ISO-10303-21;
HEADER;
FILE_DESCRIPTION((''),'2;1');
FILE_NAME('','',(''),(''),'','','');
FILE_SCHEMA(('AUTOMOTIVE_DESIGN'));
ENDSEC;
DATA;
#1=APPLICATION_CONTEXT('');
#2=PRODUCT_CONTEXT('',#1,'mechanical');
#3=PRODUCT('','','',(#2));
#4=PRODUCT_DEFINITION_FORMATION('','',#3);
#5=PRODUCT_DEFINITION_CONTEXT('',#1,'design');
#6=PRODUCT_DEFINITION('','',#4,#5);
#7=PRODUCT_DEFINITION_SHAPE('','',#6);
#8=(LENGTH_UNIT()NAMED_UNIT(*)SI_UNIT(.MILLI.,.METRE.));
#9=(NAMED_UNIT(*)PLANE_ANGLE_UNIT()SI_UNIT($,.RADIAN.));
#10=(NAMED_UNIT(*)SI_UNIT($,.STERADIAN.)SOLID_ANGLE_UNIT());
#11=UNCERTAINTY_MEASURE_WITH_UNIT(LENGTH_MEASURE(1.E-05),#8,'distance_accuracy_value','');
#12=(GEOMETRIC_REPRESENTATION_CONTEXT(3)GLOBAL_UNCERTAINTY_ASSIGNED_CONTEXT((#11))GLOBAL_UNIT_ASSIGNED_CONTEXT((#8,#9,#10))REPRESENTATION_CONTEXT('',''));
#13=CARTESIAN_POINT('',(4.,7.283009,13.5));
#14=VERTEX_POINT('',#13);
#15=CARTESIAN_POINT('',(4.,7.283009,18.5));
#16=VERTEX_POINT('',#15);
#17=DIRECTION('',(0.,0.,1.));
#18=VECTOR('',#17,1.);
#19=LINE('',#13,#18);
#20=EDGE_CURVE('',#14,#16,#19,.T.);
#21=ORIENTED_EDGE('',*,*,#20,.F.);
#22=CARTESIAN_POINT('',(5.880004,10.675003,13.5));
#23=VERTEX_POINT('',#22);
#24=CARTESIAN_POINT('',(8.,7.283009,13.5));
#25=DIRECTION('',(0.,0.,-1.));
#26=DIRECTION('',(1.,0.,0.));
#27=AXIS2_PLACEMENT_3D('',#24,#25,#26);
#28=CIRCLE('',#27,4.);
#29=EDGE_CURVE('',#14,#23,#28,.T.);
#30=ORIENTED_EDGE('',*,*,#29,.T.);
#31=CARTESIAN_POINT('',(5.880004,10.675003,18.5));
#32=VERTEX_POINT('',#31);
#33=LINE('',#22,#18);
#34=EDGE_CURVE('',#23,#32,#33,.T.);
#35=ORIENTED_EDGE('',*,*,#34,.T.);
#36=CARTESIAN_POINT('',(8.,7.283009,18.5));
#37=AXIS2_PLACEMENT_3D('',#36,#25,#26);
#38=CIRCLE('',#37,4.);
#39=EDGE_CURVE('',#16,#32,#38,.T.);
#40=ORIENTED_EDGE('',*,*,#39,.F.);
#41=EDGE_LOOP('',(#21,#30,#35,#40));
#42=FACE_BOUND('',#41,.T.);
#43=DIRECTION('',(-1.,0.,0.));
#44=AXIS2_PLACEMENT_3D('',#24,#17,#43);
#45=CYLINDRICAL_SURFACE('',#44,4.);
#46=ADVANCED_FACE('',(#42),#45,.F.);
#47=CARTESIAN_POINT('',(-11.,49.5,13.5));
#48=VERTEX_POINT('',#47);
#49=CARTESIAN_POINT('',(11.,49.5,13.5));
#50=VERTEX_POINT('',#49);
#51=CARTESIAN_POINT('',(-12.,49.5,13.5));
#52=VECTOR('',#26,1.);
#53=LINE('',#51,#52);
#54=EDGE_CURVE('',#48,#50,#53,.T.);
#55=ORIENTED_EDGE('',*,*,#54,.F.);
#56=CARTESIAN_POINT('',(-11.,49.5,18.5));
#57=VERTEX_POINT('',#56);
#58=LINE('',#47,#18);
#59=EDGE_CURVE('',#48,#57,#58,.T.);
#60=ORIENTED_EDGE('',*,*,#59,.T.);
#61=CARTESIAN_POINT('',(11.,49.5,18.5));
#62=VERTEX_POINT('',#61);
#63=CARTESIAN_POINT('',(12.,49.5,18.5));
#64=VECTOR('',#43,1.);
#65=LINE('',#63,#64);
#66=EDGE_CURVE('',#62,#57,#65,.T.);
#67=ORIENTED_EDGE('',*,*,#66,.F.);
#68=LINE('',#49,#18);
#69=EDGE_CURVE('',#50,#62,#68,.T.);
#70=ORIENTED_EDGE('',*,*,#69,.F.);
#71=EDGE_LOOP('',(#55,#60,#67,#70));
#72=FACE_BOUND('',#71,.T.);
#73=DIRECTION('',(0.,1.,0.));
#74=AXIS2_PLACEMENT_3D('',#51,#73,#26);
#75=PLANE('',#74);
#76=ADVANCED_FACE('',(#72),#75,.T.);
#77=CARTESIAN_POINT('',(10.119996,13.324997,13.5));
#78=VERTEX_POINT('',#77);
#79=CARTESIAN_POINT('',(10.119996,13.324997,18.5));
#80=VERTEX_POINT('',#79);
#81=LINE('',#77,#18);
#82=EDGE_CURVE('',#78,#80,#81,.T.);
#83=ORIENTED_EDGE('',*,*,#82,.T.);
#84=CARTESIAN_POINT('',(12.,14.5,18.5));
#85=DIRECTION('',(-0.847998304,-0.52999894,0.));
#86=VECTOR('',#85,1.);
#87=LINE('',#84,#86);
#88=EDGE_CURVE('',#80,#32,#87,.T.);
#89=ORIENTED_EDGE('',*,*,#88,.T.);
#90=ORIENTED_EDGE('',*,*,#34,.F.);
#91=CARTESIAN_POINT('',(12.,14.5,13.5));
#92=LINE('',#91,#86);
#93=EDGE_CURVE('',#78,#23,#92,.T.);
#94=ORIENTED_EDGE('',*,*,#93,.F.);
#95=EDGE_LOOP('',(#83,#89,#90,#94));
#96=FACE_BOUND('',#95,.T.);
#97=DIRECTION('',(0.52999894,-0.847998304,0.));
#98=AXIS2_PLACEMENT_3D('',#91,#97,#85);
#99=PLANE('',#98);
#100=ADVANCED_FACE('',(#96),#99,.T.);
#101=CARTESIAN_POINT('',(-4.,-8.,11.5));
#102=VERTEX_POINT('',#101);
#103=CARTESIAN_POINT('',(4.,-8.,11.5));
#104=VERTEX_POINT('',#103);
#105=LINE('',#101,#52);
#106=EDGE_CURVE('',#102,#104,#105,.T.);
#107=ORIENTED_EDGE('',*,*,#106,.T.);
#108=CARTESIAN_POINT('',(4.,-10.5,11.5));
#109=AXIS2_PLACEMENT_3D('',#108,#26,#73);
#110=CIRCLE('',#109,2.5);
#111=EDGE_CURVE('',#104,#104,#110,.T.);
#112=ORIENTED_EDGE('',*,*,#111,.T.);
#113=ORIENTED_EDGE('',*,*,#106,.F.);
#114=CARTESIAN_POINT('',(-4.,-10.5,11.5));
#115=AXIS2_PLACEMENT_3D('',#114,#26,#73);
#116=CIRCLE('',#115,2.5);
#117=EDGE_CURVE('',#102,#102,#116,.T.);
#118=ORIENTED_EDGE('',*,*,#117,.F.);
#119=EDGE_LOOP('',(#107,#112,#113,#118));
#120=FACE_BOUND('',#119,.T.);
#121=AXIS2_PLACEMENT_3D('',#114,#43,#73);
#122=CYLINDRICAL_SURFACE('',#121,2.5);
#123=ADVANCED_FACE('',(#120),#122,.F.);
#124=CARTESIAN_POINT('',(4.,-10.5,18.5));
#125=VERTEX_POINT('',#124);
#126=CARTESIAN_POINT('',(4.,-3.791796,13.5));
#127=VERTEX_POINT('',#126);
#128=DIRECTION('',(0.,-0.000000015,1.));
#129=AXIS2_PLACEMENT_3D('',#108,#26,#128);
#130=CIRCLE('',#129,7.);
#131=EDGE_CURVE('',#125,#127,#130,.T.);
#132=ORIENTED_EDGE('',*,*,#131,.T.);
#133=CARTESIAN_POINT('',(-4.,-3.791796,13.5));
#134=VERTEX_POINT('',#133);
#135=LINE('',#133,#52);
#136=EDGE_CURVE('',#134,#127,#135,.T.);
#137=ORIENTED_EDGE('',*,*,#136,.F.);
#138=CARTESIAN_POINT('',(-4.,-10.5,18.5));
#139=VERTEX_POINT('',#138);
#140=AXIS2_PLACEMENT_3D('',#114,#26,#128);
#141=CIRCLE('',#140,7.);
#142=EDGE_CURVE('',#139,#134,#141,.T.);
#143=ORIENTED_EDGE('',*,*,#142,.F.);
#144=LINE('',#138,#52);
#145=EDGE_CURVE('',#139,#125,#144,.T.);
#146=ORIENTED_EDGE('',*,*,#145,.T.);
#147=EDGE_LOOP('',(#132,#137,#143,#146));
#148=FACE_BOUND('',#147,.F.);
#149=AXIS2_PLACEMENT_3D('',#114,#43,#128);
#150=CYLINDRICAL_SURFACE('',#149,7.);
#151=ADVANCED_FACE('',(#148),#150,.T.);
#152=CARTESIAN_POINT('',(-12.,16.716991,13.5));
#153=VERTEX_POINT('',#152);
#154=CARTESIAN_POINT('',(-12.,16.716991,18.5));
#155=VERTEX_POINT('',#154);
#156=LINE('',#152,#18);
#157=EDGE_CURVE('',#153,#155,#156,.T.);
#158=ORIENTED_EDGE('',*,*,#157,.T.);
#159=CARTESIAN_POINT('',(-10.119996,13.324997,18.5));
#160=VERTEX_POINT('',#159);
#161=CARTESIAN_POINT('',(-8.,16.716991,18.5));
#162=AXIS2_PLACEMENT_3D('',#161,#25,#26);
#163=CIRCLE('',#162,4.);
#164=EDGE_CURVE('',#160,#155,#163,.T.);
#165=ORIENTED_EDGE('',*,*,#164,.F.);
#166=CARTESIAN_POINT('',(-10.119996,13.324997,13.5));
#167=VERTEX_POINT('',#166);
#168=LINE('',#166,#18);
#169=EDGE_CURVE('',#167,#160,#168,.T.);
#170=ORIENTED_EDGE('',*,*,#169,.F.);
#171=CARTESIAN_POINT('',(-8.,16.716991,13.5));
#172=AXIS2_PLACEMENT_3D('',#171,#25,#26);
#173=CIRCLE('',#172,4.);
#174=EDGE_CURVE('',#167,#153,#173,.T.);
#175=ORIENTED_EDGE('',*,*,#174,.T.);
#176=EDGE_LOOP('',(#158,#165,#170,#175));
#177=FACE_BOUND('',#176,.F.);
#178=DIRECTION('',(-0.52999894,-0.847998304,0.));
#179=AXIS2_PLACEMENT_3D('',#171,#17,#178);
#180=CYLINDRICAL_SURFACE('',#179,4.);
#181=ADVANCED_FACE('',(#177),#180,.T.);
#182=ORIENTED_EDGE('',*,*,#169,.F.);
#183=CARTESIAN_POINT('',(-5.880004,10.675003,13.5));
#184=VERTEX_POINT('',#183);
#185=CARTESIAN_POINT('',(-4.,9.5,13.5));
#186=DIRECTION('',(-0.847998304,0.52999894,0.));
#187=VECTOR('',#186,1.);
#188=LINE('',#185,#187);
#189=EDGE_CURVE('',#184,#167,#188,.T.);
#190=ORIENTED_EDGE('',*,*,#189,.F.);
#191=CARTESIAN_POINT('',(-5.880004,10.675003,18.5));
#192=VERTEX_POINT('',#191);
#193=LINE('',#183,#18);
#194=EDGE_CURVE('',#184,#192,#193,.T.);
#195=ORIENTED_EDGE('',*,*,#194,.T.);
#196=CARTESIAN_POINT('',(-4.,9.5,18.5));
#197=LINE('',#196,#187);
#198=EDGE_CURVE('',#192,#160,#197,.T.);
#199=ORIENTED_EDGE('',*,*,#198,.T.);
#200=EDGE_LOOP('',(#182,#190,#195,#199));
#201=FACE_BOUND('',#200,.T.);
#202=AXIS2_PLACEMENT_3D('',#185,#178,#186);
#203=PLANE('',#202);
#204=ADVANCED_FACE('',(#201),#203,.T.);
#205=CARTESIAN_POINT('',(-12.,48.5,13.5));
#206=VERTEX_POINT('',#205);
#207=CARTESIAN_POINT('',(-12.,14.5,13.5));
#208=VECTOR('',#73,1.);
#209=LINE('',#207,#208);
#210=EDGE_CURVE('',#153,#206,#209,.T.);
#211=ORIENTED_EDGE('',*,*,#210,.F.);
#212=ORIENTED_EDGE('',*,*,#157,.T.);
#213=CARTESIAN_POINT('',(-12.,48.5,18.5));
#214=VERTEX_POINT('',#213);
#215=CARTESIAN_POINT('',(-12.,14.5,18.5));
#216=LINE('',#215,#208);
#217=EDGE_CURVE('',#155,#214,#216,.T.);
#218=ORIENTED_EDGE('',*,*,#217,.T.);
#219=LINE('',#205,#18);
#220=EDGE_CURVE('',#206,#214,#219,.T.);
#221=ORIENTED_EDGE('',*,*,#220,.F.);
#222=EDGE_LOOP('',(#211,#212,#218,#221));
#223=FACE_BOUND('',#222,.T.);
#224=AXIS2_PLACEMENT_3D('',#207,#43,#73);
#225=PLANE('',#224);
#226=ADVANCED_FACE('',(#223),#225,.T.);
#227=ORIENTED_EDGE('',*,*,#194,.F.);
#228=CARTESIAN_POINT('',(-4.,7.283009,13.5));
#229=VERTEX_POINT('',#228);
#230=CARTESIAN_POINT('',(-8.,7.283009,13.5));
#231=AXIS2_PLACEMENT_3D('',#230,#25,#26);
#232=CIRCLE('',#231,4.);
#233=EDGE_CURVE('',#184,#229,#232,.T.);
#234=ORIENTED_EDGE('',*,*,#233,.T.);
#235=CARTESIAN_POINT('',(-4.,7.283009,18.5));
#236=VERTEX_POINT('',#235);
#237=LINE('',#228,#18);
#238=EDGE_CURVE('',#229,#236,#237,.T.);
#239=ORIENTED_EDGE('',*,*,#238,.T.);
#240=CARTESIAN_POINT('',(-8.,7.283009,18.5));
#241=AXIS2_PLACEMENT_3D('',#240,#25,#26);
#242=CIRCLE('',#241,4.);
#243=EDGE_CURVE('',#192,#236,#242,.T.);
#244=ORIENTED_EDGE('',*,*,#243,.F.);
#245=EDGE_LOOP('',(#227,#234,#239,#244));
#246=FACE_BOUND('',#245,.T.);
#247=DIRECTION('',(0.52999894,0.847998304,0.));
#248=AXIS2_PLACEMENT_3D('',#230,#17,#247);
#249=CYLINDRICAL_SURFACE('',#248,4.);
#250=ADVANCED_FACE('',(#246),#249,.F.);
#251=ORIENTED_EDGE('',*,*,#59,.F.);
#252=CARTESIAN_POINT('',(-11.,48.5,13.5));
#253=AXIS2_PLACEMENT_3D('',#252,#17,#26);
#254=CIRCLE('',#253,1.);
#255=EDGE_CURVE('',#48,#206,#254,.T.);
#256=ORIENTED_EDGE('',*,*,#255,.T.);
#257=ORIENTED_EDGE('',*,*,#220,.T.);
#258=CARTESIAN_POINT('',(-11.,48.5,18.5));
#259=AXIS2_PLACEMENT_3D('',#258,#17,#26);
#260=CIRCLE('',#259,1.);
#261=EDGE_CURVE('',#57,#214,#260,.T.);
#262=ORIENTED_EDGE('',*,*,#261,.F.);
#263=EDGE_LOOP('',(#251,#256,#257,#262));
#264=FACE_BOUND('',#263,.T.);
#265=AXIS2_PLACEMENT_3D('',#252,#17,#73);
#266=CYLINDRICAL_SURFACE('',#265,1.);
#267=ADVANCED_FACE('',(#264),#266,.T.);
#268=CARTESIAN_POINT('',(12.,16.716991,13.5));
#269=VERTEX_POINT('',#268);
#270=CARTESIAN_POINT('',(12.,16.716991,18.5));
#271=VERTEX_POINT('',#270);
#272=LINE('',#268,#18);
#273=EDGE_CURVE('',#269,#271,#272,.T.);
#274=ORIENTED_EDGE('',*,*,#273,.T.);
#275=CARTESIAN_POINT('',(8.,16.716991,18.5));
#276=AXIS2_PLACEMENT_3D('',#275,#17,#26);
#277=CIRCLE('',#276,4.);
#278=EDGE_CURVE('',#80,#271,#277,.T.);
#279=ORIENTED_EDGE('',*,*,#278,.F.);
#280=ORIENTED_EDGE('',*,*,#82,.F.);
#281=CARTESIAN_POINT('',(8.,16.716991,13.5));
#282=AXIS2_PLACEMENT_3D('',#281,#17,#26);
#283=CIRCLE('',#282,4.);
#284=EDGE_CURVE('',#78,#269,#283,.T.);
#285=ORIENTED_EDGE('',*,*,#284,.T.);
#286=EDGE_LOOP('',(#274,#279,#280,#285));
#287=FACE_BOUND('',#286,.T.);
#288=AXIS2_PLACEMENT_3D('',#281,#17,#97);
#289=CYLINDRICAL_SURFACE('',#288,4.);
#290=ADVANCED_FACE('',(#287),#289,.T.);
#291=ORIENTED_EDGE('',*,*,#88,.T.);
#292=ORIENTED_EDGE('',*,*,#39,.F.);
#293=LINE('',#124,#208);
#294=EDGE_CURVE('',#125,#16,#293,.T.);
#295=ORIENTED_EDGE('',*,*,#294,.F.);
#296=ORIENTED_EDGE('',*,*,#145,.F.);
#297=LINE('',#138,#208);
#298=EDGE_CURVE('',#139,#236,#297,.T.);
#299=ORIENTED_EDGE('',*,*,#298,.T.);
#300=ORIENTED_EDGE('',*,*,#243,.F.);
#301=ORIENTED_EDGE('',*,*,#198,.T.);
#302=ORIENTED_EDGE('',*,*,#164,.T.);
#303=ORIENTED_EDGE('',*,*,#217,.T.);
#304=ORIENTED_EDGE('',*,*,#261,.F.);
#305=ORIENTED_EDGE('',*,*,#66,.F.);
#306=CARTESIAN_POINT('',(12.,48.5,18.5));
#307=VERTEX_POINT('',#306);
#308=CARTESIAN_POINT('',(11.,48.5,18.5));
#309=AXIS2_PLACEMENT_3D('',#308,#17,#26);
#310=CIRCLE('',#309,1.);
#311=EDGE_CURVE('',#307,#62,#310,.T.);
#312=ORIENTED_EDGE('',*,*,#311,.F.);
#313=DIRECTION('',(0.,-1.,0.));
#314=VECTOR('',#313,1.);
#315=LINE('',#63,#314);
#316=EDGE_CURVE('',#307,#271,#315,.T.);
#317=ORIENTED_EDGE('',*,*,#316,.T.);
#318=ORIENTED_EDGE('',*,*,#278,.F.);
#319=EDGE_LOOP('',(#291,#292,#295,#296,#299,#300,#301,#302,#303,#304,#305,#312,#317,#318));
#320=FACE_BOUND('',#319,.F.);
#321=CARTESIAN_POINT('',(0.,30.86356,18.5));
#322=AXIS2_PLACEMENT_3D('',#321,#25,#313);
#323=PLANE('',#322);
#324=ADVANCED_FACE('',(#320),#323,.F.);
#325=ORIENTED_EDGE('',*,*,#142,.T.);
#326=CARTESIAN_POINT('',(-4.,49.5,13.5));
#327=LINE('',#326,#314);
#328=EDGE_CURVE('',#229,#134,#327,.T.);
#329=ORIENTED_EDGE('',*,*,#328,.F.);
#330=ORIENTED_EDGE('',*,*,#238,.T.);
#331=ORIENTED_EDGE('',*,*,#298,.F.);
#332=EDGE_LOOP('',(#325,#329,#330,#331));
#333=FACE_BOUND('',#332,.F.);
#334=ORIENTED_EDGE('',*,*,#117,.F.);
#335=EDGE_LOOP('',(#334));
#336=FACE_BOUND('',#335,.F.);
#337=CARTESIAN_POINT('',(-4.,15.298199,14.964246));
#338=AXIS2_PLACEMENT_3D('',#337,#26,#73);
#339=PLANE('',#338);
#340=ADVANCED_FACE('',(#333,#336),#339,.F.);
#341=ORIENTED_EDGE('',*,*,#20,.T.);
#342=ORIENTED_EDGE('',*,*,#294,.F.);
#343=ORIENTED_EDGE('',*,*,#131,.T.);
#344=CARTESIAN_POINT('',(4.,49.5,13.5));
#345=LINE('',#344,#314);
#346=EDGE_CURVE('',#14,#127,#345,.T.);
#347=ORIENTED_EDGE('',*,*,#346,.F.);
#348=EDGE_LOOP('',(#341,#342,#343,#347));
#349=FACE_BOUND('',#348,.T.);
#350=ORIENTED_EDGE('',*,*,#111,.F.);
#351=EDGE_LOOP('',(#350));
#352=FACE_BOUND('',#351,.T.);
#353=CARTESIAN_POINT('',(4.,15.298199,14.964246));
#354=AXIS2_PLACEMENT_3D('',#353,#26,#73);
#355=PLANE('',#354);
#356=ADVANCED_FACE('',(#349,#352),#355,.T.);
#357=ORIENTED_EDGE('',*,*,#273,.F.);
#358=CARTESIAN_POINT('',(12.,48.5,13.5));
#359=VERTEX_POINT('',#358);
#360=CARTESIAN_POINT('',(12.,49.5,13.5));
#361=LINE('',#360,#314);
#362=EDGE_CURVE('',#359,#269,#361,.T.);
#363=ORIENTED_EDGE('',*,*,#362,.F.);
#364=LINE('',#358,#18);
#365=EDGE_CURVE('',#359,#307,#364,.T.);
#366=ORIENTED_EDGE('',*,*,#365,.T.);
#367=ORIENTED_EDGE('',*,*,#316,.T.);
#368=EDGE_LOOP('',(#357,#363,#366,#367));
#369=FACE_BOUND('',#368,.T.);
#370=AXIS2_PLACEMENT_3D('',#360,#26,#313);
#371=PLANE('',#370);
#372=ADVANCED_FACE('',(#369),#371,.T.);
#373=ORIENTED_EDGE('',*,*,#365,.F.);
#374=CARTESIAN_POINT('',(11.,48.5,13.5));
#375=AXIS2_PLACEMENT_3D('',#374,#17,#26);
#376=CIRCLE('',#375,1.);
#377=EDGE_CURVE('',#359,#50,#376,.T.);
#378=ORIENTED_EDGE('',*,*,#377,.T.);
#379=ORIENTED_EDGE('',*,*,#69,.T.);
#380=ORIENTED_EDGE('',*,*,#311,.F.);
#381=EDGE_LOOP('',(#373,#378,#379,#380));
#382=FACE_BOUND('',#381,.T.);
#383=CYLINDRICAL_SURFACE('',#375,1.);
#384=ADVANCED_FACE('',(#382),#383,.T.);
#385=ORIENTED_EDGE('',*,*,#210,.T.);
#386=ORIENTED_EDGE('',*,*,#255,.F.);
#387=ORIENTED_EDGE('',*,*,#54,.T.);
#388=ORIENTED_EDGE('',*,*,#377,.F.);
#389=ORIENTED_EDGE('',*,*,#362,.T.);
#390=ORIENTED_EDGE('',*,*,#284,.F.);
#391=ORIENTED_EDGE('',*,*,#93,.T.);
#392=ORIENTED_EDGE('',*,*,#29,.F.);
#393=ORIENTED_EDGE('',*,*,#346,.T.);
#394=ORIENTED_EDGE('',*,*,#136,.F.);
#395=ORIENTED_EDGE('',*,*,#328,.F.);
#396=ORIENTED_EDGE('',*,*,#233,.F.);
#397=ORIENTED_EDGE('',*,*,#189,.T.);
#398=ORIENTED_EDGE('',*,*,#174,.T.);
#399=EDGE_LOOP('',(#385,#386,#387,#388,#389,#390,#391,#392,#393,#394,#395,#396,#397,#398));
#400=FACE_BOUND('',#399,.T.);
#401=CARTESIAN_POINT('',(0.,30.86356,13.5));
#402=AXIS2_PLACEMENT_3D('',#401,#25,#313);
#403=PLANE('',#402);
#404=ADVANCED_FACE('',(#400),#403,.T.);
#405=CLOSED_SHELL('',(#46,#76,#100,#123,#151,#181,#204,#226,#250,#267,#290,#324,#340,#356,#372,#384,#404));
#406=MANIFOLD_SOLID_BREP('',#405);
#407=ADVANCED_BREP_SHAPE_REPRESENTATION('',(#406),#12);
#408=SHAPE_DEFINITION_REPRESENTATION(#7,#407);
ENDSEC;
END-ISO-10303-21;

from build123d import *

# Parameters (mm, degrees)
SKETCH006_R             = 2.5
PAD005_DEPTH            = 8
PAD006_DEPTH            = 5
FILLET_R                = 4
FILLET001_R             = 1
BODY001_PLACEMENT_ANGLE = 90


with BuildPart() as part:
    # Sketch006 → Pad005 (new body)
    with BuildSketch(Plane.XZ):
        with BuildLine():
            ThreePointArc((0, 7), (-4.1833, -5.612486), (6.708204, 2))
            Line((60, 2), (6.708204, 2))
            Line((60, 7), (60, 2))
            Line((0, 7), (60, 7))
        make_face()
        Circle(SKETCH006_R, mode=Mode.SUBTRACT)
    extrude(amount=PAD005_DEPTH)

    # Sketch007 (on Face4 of Pad005) → Pad006 (join)
    with BuildSketch(Plane.XY.offset(2)):
        Polygon((20, 0), (25, 8), (60, 8), (60, -16), (25, -16), (20, -8), align=None)
    extrude(amount=PAD006_DEPTH)

    # Fillet
    fillet_edges = [part.edges().sort_by_distance(p)[0] for p in [
        (25, 8, 4.5),
        (25, -16, 4.5),
        (20, -8, 4.5),
        (20, 0, 4.5),
    ]]
    fillet(fillet_edges, radius=FILLET_R)

    # Fillet001
    fillet001_edges = [part.edges().sort_by_distance(p)[0] for p in [
        (60, 8, 4.5),
        (60, -16, 4.5),
    ]]
    fillet(fillet001_edges, radius=FILLET001_R)


with BuildPart() as part_1:
    # Body001 placement: moved
    add(part.part.moved(Location((-4, -10.5, 11.5))).rotate(Axis((-4, -10.5, 11.5), (0, 0, 1)), BODY001_PLACEMENT_ANGLE))


solid = part_1.part
